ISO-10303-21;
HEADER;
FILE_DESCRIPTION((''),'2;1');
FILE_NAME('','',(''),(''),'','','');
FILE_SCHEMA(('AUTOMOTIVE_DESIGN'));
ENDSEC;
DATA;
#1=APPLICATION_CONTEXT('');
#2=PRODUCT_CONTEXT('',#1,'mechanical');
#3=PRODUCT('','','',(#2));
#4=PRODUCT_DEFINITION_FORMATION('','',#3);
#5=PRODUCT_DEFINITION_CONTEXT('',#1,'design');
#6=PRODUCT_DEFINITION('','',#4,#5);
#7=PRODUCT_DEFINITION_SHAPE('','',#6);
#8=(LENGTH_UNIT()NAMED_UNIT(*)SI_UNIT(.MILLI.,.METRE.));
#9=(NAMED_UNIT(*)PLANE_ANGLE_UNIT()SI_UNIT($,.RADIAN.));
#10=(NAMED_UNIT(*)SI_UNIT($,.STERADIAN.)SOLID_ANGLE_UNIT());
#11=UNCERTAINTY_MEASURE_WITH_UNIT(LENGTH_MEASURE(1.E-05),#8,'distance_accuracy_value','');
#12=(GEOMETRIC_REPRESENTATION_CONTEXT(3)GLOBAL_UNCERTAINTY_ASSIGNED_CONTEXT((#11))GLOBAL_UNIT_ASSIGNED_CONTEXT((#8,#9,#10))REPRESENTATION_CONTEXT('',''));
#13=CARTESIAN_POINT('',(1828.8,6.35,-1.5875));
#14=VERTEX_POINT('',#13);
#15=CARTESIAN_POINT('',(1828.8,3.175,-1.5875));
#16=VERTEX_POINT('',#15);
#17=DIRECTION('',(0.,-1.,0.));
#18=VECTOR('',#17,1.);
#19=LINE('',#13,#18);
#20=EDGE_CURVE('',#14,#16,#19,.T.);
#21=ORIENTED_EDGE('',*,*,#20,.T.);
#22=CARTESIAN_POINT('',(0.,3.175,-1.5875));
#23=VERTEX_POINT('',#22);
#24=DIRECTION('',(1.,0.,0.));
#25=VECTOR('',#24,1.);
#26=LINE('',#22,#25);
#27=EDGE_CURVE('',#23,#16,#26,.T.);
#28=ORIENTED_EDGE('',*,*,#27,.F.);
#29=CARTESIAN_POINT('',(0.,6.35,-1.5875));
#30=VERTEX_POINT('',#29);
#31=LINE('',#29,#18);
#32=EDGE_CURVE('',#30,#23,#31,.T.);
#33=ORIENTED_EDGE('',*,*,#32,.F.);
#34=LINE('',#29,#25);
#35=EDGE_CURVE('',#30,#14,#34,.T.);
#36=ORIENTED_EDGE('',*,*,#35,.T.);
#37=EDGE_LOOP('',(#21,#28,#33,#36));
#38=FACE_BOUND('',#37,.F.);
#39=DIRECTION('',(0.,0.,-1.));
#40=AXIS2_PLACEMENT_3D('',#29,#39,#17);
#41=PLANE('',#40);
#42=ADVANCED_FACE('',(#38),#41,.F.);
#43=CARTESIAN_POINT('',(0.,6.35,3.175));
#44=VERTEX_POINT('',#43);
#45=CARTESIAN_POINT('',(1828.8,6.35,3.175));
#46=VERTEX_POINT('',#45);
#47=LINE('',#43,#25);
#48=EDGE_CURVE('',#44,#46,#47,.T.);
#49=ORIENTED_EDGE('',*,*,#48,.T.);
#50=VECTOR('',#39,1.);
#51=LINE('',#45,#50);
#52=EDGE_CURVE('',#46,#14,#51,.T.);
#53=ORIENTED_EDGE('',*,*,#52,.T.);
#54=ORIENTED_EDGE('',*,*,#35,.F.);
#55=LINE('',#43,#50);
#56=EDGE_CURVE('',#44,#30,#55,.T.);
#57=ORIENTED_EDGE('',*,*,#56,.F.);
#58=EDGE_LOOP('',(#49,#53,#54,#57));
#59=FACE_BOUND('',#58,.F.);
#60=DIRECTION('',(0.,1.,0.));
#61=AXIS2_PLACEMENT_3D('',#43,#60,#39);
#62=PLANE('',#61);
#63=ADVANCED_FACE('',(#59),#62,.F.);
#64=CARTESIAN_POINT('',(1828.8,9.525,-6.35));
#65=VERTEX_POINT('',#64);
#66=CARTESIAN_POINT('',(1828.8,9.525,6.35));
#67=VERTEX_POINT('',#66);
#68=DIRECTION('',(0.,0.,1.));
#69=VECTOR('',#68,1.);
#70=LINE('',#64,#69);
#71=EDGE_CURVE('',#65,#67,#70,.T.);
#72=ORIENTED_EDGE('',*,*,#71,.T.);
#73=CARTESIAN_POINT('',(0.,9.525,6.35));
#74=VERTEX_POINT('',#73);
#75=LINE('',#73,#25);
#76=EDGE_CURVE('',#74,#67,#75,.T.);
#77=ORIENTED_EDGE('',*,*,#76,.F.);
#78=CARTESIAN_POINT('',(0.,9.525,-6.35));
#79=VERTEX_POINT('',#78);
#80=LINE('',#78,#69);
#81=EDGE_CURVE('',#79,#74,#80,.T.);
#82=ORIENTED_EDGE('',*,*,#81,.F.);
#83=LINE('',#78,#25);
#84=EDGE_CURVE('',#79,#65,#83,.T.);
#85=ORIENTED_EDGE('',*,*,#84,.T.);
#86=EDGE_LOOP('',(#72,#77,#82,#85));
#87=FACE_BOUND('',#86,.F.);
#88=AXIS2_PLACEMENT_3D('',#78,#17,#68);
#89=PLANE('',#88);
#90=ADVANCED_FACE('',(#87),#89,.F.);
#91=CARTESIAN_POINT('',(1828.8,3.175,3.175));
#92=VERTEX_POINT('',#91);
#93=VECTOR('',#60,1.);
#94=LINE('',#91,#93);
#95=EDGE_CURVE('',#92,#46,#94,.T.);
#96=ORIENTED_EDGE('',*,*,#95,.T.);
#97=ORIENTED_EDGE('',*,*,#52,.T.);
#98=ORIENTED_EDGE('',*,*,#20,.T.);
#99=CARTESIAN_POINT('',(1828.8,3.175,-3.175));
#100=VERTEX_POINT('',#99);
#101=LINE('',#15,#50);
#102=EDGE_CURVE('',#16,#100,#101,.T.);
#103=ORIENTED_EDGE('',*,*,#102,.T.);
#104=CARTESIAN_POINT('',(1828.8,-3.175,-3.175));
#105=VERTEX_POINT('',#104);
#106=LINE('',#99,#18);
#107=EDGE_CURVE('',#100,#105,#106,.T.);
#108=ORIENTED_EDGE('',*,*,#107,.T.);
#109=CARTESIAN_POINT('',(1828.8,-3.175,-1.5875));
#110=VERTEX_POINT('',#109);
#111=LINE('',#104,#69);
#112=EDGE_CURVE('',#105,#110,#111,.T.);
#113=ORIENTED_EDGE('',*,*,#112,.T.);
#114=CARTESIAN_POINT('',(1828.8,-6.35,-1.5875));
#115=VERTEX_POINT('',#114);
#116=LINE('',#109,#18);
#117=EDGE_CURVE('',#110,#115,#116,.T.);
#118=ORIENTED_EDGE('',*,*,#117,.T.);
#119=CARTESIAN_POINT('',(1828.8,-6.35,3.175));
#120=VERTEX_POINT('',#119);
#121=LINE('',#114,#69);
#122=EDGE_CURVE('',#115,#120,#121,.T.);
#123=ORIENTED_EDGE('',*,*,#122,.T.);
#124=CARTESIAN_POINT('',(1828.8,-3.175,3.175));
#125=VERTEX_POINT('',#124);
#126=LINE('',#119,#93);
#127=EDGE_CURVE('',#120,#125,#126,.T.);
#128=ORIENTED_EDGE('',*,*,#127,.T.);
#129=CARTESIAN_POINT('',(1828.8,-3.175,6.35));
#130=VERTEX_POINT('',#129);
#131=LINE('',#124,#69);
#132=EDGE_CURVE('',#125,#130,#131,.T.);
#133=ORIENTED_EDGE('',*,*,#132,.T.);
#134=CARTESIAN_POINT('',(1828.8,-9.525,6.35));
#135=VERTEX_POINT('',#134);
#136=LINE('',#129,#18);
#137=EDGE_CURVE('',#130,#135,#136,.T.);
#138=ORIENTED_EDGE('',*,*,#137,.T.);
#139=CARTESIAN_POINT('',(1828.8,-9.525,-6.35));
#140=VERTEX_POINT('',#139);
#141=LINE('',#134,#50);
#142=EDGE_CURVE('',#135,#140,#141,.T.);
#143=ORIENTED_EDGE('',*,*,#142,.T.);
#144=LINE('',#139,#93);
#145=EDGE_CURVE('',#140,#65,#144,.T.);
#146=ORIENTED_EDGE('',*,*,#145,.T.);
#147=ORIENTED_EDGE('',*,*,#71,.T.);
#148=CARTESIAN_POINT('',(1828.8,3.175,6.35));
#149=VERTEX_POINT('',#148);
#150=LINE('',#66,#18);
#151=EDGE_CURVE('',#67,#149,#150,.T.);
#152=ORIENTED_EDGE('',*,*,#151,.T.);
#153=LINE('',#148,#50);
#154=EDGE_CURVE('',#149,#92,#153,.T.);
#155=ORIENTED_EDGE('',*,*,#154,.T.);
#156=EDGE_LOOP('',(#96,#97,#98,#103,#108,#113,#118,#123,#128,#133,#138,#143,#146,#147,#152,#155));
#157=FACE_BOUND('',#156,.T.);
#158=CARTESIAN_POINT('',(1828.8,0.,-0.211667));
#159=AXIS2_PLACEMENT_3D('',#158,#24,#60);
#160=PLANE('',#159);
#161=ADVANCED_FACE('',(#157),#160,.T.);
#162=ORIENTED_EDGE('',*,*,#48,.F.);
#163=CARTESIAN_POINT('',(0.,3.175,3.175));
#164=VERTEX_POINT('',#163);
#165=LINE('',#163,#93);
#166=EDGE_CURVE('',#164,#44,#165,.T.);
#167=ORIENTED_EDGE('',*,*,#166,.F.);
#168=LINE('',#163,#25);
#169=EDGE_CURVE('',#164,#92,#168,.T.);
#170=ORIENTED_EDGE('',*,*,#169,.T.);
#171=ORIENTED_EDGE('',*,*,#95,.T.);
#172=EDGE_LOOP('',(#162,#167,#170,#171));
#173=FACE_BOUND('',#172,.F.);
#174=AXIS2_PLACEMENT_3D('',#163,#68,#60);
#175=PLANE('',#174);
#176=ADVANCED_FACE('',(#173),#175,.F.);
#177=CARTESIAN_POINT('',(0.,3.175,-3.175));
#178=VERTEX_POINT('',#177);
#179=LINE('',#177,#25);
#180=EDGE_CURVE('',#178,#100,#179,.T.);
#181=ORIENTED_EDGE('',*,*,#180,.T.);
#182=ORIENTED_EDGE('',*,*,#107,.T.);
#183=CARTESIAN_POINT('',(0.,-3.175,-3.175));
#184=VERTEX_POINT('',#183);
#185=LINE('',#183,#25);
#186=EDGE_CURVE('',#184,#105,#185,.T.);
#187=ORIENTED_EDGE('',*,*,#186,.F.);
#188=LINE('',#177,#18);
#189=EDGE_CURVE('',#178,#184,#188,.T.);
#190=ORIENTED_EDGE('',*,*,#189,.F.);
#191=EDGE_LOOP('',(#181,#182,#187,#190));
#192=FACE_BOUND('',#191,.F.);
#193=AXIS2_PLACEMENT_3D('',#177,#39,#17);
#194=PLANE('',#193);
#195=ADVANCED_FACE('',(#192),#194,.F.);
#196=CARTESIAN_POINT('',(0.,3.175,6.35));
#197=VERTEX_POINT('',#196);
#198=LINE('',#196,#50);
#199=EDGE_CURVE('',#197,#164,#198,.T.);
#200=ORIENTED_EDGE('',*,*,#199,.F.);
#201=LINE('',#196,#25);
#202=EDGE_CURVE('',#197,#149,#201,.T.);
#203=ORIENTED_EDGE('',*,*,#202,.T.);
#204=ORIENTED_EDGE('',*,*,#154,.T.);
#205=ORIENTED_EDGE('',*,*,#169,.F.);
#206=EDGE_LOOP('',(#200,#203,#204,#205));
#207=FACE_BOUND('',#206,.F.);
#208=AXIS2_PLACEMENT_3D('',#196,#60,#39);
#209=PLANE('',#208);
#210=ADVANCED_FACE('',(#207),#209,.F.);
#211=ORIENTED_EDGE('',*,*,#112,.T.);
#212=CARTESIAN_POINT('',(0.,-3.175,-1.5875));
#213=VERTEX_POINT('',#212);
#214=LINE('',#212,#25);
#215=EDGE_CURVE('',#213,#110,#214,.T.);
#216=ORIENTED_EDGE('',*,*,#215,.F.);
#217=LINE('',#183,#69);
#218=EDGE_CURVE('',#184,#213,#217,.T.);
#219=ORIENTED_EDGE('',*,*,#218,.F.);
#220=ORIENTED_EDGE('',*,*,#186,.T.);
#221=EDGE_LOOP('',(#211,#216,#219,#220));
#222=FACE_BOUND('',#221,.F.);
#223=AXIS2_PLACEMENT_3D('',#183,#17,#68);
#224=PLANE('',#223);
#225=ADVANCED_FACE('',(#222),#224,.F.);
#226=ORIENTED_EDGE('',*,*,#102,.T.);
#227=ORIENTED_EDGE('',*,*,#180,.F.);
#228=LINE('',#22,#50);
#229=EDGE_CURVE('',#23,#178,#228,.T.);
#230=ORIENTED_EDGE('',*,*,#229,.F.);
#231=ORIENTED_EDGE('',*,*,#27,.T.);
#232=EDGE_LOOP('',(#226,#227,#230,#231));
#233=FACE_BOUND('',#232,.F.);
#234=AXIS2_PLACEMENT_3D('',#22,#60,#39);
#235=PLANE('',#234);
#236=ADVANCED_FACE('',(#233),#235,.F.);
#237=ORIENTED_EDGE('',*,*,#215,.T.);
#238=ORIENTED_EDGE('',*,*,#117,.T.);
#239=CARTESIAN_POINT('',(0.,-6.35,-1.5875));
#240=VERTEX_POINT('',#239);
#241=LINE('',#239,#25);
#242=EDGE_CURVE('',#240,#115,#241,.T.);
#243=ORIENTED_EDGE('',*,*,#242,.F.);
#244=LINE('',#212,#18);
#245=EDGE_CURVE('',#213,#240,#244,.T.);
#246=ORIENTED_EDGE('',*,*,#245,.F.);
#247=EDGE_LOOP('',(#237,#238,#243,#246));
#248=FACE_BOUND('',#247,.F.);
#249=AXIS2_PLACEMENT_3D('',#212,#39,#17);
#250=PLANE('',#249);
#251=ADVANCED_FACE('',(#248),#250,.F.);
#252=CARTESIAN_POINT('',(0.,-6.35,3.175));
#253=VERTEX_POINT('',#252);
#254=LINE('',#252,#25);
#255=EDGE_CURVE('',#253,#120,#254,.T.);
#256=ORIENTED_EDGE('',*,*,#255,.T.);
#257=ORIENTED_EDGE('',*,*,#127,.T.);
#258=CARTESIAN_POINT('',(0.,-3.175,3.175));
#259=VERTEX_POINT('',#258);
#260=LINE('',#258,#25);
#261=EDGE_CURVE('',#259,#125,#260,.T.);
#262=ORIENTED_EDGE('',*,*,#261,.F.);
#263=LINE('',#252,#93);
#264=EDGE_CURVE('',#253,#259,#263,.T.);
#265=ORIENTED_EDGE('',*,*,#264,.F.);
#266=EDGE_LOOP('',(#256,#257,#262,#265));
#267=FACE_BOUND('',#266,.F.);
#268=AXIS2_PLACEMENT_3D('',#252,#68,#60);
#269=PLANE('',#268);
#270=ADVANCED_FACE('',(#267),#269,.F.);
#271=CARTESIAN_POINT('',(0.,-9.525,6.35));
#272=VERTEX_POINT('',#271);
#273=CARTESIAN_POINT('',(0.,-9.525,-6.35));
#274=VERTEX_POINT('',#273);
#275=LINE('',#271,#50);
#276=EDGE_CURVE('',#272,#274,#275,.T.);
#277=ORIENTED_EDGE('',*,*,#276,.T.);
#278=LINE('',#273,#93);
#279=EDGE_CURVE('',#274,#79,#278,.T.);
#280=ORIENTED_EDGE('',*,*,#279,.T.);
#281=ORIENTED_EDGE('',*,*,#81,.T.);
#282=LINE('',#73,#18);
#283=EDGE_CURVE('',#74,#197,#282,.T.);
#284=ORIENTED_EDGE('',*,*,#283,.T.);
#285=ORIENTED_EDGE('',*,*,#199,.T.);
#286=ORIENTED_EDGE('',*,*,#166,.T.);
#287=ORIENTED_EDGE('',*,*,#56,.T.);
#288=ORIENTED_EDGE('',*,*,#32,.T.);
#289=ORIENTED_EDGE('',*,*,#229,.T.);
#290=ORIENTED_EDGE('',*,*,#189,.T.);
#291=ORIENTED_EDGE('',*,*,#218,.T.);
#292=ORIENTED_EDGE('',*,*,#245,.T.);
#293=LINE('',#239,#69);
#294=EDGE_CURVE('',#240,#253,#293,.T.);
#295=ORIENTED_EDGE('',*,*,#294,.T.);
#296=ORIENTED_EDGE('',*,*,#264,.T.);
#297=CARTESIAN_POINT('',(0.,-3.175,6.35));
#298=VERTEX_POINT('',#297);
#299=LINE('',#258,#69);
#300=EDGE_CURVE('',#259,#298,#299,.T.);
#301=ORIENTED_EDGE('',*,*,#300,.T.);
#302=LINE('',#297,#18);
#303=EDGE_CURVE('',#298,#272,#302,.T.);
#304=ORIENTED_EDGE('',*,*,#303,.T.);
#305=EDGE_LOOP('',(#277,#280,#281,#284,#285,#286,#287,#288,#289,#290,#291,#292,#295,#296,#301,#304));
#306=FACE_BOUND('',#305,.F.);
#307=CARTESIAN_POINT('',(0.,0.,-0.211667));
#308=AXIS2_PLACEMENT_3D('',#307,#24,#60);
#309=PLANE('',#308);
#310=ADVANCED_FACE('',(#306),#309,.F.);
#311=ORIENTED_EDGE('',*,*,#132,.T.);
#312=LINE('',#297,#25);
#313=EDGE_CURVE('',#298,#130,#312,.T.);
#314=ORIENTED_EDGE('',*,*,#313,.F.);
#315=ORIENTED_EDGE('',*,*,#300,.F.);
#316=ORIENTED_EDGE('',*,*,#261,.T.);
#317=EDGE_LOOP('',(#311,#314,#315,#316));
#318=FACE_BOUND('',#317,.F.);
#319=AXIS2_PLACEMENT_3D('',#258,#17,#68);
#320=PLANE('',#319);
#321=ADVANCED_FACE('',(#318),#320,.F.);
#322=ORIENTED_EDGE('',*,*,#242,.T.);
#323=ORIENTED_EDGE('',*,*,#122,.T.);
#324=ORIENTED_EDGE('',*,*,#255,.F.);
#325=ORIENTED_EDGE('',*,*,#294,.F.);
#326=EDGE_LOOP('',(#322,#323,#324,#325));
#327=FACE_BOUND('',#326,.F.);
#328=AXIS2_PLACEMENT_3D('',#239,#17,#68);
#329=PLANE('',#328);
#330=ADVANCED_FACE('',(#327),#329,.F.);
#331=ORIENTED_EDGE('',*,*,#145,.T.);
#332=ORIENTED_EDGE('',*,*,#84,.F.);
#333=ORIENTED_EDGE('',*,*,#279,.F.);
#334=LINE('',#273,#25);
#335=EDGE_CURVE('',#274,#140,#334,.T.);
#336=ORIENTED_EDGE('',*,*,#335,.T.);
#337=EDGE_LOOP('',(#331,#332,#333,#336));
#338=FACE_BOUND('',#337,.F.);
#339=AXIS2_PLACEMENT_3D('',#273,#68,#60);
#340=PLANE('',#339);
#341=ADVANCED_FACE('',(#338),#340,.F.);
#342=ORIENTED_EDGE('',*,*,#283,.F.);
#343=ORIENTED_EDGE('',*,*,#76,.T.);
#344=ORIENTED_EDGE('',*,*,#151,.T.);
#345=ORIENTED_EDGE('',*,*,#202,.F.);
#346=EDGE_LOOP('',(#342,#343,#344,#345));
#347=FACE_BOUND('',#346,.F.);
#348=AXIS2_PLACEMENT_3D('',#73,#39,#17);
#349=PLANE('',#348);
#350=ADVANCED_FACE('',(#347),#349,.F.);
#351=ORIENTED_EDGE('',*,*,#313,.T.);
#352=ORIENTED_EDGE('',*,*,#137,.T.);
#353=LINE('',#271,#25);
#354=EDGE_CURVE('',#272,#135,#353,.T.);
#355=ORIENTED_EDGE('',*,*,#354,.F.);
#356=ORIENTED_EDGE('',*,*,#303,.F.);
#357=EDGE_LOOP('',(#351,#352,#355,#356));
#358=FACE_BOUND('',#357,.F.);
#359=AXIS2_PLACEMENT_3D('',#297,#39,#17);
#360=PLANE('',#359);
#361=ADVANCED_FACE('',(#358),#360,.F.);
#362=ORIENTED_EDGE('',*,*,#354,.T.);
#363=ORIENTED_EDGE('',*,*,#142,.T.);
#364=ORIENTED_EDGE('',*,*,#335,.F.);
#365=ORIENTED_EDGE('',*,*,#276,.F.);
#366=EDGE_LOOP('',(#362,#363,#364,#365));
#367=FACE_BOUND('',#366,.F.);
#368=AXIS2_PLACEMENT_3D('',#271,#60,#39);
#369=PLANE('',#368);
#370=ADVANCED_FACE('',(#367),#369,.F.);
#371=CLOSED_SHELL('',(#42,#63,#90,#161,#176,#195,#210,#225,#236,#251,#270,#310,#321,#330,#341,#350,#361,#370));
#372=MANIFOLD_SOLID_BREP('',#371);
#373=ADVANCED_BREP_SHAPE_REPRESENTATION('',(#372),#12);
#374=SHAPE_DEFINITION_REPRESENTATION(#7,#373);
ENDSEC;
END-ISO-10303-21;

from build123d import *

# Parameters (mm, degrees)
F1_DEPTH = 1828.8


with BuildPart() as f1:
    # F0 (on Right) → F1 (new body)
    with BuildSketch(Plane.YZ):
        Polygon((-9.525, 6.35), (-9.525, -6.35), (9.525, -6.35), (9.525, 6.35), (3.175, 6.35), (3.175, 3.175), (6.35, 3.175), (6.35, -1.5875), (3.175, -1.5875), (3.175, -3.175), (-3.175, -3.175), (-3.175, -1.5875), (-6.35, -1.5875), (-6.35, 3.175), (-3.175, 3.175), (-3.175, 6.35), align=None)
    extrude(amount=F1_DEPTH)


solid = f1.part
